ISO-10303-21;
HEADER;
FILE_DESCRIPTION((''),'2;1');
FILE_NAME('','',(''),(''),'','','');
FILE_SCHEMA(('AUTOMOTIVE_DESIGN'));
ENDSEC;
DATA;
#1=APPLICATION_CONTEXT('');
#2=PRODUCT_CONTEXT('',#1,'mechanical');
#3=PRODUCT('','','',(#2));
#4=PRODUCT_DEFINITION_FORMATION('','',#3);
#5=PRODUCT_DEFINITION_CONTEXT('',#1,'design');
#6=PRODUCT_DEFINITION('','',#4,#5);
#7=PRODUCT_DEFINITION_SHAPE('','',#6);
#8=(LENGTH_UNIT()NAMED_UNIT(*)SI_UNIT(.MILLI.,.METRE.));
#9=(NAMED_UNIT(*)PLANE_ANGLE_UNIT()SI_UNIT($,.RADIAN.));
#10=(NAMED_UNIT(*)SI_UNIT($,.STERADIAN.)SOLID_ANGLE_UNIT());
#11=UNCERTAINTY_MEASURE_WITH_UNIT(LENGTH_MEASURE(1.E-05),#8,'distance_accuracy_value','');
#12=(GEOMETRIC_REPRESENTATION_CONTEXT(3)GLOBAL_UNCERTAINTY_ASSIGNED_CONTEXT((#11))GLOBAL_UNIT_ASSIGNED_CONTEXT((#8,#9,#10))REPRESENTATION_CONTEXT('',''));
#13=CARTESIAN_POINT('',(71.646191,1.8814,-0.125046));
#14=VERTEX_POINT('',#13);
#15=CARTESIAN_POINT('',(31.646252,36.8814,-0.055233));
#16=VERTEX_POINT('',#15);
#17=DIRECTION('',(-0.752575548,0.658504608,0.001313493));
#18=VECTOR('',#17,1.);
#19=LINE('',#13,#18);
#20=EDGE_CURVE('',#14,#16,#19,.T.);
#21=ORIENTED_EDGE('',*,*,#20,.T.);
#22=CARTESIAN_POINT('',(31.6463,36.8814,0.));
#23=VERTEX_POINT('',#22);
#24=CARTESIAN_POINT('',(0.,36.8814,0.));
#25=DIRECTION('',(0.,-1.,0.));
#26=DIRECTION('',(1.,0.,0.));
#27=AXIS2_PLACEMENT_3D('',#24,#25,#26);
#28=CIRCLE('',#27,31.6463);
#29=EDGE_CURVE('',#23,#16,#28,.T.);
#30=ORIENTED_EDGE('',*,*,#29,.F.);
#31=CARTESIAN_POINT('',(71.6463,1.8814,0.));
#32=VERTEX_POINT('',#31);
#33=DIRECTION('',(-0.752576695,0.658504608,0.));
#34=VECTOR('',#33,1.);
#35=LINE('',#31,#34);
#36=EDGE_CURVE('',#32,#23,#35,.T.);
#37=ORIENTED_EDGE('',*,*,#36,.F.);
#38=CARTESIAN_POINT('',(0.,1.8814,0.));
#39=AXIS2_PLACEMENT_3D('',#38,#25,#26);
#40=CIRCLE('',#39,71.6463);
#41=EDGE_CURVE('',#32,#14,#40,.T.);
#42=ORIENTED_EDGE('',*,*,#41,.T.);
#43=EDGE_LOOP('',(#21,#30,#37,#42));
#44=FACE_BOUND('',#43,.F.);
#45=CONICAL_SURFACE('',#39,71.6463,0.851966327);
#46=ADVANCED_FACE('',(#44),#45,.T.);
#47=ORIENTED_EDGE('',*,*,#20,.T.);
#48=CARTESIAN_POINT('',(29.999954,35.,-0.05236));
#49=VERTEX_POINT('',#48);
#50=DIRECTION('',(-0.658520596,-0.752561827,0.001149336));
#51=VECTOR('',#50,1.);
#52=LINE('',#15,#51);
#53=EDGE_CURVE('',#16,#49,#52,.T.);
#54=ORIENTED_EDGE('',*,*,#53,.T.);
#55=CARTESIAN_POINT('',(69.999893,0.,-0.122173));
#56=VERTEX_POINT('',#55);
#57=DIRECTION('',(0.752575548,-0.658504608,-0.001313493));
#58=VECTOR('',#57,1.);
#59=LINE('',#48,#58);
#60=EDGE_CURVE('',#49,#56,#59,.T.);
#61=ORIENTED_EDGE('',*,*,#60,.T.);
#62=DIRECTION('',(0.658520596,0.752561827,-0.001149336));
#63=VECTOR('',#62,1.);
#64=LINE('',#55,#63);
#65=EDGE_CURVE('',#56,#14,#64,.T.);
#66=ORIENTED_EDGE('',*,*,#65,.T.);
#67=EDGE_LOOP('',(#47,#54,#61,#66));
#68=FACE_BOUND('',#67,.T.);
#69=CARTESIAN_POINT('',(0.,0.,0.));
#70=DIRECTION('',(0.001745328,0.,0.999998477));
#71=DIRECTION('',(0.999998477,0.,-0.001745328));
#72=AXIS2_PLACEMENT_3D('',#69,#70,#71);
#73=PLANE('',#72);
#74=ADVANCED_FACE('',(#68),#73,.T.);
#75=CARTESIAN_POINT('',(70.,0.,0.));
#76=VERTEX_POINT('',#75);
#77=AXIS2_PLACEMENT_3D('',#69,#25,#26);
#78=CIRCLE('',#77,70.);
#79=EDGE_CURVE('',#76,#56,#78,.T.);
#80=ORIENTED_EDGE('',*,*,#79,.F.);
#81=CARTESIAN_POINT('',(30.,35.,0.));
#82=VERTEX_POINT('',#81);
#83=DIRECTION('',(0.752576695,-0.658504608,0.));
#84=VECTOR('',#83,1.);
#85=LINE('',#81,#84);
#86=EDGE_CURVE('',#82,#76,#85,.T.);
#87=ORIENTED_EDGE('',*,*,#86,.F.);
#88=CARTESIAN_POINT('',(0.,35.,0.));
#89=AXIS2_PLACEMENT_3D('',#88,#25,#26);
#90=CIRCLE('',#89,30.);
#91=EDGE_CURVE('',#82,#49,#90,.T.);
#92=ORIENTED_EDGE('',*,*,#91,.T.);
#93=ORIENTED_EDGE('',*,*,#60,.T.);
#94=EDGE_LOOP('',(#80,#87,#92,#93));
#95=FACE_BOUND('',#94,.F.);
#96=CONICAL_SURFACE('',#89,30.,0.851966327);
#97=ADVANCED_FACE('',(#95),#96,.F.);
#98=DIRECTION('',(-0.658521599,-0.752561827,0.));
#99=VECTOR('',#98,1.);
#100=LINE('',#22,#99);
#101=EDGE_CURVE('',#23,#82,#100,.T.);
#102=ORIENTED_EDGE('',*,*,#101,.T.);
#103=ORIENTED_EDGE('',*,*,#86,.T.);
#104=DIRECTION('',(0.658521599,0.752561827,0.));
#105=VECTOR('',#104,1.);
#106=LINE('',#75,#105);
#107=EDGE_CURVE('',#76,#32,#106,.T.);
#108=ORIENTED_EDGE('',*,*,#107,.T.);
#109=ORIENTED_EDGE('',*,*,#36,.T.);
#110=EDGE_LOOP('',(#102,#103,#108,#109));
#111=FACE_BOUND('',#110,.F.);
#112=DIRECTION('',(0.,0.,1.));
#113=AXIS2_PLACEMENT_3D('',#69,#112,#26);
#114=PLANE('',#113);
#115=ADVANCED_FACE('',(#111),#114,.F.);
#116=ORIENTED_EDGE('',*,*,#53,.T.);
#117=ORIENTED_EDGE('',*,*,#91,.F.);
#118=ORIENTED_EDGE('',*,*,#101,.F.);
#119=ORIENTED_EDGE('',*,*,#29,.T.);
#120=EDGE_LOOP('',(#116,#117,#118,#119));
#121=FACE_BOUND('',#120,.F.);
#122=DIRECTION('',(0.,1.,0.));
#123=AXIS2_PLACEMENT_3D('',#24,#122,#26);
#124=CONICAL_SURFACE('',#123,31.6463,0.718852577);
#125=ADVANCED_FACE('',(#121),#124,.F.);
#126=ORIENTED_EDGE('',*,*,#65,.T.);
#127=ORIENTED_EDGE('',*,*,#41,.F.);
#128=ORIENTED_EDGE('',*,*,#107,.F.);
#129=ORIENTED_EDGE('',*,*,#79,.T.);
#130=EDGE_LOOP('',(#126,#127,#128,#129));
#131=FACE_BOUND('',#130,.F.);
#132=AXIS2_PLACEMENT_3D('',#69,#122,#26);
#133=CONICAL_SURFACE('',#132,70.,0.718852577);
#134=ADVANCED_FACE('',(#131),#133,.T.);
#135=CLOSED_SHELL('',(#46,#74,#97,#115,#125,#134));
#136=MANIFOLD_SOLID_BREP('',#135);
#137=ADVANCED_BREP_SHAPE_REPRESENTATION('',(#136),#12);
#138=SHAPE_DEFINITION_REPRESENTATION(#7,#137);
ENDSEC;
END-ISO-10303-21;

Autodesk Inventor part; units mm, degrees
ref_plane "YZ Plane" through (0, 0, 0) normal (1, 0, 0) x (0, 1, 0)
ref_plane "XZ Plane" through (0, 0, 0) normal (0, 1, 0) x (-1, 0, 0)
ref_plane "XY Plane" through (0, 0, 0) normal (0, 0, 1) x (1, 0, 0)
sketch "スケッチ1" plane through (0, 0, 0) normal (0, 0, 1) x (1, 0, 0)
  line L0 (0, 0) -> (70, 0)
  line L1 (0, 0) -> (0, 35)
  line L2 (0, 35) -> (30, 35)
  line L3 (30, 35) -> (70, 0)
  line L4 (70, 0) -> (71.6463, 1.8814)
  line L5 (71.6463, 1.8814) -> (31.6463, 36.8814)
  line L6 (31.6463, 36.8814) -> (30, 35)
  dimension "d0" = 70
  dimension "d1" = 35
  dimension "d2" = 30
  dimension "d3" = 2.5
revolve "回転1" add sketch "スケッチ1" angle 359.9 about axis through (0, 0, 0) along (0, -1, 0) contours L3 L6 L5 L4
equation "\"BendRadius\" = Thickness"
equation "\"BendReliefWidth\" = Thickness"
equation "\"BendReliefDepth\" = 0.5 * Thickness"
equation "\"MinimumRemnant\" = 2 * Thickness"
equation "\"TransitionRadius\" = BendRadius"
equation "\"JacobiRadiusSize\" = BendRadius"
equation "\"GapSize\" = Thickness"
equation "\"Thickness\" = 2.5"
properties part number "top_roof"
